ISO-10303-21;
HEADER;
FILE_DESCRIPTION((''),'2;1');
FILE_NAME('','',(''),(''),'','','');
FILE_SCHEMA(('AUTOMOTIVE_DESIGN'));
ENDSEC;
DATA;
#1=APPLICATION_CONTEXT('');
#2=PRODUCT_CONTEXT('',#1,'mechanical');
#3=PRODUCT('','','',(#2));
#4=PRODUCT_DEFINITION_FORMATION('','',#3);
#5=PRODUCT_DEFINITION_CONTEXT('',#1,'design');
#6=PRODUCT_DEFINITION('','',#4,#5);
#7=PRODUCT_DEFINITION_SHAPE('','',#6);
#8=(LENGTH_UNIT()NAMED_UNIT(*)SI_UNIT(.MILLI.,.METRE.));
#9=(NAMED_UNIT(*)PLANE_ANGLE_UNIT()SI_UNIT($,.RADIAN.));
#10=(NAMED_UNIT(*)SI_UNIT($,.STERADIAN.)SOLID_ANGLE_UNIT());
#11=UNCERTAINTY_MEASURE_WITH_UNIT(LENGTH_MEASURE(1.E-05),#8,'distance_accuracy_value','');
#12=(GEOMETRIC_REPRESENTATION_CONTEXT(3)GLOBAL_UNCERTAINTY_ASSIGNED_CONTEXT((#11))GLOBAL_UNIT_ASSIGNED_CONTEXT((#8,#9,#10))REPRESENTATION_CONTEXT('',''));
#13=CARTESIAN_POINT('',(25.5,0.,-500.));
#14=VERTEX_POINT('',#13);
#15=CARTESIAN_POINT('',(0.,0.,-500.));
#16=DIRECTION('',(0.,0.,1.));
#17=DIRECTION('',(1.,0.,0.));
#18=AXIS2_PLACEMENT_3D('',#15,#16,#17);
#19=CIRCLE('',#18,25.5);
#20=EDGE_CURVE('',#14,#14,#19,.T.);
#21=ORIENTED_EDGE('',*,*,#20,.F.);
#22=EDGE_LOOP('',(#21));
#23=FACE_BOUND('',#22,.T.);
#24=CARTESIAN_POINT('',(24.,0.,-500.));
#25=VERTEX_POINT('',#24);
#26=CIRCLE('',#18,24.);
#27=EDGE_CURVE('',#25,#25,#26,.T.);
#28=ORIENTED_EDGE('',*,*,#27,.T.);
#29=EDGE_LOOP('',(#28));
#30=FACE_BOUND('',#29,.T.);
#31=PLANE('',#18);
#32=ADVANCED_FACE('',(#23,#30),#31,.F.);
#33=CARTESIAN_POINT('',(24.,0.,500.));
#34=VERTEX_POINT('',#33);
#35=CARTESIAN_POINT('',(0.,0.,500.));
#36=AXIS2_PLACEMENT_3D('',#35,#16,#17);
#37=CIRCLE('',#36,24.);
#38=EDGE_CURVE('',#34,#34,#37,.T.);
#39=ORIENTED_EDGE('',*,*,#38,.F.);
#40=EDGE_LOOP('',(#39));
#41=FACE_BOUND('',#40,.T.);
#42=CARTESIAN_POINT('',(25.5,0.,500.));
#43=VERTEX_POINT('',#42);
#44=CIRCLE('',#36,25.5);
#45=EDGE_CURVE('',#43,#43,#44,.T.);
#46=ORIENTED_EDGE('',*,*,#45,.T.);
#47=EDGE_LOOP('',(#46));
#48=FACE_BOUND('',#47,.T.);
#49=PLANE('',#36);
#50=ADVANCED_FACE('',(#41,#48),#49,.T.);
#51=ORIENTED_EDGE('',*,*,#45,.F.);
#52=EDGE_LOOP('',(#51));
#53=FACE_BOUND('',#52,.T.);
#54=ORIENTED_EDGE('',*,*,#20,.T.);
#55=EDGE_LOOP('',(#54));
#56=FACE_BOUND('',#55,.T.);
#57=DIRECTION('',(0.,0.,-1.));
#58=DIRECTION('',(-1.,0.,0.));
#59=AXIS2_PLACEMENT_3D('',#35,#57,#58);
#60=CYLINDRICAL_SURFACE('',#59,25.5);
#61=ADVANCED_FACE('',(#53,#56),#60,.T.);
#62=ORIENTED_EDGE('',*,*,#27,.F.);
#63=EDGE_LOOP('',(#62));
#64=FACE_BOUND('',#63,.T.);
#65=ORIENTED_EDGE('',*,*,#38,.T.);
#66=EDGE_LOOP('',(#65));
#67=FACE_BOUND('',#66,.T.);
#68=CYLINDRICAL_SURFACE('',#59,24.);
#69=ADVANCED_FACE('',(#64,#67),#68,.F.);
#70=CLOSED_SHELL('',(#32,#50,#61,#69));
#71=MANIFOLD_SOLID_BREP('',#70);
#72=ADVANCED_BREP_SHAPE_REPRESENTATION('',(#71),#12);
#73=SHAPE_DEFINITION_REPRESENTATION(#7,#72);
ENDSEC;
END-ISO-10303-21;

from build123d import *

# Parameters (mm, degrees)
SKETCH_1_R      = 25.5
SKETCH_1_R_2    = 24
EXTRUDE_1_DEPTH = 500


with BuildPart() as part:
    # Эскиз1 → Бобышка-Вытянуть1 (new, symmetric)
    with BuildSketch(Plane.XY):
        Circle(SKETCH_1_R)
        Circle(SKETCH_1_R_2, mode=Mode.SUBTRACT)
    extrude(amount=EXTRUDE_1_DEPTH, both=True)


solid = part.part
